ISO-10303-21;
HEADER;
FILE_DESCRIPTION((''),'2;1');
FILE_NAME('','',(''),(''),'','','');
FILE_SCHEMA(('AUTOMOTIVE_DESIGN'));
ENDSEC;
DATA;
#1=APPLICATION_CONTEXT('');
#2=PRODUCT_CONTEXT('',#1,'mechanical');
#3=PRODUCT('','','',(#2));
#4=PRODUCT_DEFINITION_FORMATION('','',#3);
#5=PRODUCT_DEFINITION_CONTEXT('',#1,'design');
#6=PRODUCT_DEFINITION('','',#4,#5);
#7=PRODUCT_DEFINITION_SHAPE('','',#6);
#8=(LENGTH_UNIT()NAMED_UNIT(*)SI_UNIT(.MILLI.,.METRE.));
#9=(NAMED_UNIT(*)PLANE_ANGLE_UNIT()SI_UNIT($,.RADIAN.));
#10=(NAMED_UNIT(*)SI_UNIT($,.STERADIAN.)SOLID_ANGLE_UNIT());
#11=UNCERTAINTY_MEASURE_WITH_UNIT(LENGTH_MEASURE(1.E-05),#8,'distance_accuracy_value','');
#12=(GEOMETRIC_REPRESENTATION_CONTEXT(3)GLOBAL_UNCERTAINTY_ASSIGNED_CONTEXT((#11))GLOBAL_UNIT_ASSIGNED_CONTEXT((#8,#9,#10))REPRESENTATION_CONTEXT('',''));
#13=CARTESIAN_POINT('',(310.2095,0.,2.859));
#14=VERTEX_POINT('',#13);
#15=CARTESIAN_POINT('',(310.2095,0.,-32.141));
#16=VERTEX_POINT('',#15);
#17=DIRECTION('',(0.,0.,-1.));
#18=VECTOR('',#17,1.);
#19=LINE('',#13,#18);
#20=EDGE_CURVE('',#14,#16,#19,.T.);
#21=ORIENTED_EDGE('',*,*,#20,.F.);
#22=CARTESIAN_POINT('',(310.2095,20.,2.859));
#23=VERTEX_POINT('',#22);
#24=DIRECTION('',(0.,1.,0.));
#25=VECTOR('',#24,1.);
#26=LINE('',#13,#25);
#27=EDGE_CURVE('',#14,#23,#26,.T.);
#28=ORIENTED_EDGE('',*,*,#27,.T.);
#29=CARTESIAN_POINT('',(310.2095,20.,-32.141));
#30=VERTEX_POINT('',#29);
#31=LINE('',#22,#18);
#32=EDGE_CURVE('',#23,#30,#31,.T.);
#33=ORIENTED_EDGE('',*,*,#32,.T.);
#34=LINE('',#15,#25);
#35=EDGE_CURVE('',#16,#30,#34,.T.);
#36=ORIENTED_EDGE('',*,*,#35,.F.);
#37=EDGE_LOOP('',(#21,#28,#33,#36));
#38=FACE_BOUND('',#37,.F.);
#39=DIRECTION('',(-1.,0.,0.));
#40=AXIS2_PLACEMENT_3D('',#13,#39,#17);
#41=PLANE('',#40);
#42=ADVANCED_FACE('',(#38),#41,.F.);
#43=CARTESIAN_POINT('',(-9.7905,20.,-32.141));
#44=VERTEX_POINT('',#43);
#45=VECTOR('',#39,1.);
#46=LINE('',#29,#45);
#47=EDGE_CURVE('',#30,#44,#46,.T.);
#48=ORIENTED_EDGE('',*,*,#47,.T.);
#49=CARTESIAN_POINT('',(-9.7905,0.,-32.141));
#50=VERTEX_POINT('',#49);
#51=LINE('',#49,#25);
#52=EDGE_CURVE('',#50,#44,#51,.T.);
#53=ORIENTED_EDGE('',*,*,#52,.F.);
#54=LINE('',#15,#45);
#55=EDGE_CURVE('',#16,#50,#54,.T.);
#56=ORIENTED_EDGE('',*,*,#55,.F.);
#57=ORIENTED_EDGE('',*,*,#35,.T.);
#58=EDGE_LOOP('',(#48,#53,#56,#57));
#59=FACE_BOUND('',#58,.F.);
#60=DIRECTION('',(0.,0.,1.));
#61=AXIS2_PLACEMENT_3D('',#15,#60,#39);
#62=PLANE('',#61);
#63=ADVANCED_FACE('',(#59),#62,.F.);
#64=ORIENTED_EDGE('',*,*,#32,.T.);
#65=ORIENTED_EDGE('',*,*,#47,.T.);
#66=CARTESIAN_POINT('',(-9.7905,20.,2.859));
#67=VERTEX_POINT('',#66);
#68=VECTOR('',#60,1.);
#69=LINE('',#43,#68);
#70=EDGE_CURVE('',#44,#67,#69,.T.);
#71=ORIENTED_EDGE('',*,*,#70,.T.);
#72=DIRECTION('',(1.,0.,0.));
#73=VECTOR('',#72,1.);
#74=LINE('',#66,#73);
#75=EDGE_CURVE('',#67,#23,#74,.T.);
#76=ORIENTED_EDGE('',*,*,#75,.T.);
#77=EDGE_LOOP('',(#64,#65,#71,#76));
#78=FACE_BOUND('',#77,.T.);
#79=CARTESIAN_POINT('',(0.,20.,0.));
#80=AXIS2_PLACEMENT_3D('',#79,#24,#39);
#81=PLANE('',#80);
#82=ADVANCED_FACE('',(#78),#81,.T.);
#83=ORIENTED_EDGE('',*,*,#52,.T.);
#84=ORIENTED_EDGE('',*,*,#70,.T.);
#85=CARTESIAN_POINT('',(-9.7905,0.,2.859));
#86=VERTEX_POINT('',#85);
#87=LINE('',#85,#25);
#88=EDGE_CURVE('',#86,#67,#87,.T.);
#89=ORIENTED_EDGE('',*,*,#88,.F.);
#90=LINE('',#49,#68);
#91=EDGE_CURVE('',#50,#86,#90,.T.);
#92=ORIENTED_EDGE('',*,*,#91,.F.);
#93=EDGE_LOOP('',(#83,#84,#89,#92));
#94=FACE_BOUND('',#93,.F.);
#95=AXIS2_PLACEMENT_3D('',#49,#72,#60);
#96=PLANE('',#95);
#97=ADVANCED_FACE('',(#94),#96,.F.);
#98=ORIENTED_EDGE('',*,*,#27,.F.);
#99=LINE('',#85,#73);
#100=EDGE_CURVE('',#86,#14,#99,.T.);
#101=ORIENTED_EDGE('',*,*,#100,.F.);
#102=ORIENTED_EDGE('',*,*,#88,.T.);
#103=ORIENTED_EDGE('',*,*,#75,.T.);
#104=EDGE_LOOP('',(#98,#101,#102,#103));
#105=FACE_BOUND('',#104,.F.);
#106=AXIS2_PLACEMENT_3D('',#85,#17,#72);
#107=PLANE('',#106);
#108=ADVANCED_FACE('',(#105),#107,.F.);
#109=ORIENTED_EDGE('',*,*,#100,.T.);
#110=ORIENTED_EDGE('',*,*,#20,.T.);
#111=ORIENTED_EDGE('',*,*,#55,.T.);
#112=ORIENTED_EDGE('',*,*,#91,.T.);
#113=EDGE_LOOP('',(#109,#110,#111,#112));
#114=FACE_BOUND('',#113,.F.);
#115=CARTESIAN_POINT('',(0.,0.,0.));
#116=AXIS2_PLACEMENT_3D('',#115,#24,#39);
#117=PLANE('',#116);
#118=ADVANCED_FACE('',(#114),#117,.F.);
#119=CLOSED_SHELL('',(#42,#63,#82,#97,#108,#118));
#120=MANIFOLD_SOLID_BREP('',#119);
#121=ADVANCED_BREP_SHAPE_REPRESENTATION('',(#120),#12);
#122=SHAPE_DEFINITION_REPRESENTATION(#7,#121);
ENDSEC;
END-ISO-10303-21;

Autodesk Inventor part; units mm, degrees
ref_plane "YZ Plane" through (0, 0, 0) normal (1, 0, 0) x (0, 1, 0)
ref_plane "XZ Plane" through (0, 0, 0) normal (0, 1, 0) x (-1, 0, 0)
ref_plane "XY Plane" through (0, 0, 0) normal (0, 0, 1) x (1, 0, 0)
sketch "Boceto1" plane through (0, 0, 0) normal (0, 1, 0) x (-1, 0, 0)
  line L0 (9.7905, 2.859) -> (-310.2095, 2.859)
  line L1 (-310.2095, 2.859) -> (-310.2095, -32.141)
  line L2 (-310.2095, -32.141) -> (9.7905, -32.141)
  line L3 (9.7905, -32.141) -> (9.7905, 2.859)
  point P0 (0, 0)
  dimension "d0" = 320
  dimension "d1" = 35
extrude "Extrusión1" add sketch "Boceto1" along normal blind 20
properties part number "union"
